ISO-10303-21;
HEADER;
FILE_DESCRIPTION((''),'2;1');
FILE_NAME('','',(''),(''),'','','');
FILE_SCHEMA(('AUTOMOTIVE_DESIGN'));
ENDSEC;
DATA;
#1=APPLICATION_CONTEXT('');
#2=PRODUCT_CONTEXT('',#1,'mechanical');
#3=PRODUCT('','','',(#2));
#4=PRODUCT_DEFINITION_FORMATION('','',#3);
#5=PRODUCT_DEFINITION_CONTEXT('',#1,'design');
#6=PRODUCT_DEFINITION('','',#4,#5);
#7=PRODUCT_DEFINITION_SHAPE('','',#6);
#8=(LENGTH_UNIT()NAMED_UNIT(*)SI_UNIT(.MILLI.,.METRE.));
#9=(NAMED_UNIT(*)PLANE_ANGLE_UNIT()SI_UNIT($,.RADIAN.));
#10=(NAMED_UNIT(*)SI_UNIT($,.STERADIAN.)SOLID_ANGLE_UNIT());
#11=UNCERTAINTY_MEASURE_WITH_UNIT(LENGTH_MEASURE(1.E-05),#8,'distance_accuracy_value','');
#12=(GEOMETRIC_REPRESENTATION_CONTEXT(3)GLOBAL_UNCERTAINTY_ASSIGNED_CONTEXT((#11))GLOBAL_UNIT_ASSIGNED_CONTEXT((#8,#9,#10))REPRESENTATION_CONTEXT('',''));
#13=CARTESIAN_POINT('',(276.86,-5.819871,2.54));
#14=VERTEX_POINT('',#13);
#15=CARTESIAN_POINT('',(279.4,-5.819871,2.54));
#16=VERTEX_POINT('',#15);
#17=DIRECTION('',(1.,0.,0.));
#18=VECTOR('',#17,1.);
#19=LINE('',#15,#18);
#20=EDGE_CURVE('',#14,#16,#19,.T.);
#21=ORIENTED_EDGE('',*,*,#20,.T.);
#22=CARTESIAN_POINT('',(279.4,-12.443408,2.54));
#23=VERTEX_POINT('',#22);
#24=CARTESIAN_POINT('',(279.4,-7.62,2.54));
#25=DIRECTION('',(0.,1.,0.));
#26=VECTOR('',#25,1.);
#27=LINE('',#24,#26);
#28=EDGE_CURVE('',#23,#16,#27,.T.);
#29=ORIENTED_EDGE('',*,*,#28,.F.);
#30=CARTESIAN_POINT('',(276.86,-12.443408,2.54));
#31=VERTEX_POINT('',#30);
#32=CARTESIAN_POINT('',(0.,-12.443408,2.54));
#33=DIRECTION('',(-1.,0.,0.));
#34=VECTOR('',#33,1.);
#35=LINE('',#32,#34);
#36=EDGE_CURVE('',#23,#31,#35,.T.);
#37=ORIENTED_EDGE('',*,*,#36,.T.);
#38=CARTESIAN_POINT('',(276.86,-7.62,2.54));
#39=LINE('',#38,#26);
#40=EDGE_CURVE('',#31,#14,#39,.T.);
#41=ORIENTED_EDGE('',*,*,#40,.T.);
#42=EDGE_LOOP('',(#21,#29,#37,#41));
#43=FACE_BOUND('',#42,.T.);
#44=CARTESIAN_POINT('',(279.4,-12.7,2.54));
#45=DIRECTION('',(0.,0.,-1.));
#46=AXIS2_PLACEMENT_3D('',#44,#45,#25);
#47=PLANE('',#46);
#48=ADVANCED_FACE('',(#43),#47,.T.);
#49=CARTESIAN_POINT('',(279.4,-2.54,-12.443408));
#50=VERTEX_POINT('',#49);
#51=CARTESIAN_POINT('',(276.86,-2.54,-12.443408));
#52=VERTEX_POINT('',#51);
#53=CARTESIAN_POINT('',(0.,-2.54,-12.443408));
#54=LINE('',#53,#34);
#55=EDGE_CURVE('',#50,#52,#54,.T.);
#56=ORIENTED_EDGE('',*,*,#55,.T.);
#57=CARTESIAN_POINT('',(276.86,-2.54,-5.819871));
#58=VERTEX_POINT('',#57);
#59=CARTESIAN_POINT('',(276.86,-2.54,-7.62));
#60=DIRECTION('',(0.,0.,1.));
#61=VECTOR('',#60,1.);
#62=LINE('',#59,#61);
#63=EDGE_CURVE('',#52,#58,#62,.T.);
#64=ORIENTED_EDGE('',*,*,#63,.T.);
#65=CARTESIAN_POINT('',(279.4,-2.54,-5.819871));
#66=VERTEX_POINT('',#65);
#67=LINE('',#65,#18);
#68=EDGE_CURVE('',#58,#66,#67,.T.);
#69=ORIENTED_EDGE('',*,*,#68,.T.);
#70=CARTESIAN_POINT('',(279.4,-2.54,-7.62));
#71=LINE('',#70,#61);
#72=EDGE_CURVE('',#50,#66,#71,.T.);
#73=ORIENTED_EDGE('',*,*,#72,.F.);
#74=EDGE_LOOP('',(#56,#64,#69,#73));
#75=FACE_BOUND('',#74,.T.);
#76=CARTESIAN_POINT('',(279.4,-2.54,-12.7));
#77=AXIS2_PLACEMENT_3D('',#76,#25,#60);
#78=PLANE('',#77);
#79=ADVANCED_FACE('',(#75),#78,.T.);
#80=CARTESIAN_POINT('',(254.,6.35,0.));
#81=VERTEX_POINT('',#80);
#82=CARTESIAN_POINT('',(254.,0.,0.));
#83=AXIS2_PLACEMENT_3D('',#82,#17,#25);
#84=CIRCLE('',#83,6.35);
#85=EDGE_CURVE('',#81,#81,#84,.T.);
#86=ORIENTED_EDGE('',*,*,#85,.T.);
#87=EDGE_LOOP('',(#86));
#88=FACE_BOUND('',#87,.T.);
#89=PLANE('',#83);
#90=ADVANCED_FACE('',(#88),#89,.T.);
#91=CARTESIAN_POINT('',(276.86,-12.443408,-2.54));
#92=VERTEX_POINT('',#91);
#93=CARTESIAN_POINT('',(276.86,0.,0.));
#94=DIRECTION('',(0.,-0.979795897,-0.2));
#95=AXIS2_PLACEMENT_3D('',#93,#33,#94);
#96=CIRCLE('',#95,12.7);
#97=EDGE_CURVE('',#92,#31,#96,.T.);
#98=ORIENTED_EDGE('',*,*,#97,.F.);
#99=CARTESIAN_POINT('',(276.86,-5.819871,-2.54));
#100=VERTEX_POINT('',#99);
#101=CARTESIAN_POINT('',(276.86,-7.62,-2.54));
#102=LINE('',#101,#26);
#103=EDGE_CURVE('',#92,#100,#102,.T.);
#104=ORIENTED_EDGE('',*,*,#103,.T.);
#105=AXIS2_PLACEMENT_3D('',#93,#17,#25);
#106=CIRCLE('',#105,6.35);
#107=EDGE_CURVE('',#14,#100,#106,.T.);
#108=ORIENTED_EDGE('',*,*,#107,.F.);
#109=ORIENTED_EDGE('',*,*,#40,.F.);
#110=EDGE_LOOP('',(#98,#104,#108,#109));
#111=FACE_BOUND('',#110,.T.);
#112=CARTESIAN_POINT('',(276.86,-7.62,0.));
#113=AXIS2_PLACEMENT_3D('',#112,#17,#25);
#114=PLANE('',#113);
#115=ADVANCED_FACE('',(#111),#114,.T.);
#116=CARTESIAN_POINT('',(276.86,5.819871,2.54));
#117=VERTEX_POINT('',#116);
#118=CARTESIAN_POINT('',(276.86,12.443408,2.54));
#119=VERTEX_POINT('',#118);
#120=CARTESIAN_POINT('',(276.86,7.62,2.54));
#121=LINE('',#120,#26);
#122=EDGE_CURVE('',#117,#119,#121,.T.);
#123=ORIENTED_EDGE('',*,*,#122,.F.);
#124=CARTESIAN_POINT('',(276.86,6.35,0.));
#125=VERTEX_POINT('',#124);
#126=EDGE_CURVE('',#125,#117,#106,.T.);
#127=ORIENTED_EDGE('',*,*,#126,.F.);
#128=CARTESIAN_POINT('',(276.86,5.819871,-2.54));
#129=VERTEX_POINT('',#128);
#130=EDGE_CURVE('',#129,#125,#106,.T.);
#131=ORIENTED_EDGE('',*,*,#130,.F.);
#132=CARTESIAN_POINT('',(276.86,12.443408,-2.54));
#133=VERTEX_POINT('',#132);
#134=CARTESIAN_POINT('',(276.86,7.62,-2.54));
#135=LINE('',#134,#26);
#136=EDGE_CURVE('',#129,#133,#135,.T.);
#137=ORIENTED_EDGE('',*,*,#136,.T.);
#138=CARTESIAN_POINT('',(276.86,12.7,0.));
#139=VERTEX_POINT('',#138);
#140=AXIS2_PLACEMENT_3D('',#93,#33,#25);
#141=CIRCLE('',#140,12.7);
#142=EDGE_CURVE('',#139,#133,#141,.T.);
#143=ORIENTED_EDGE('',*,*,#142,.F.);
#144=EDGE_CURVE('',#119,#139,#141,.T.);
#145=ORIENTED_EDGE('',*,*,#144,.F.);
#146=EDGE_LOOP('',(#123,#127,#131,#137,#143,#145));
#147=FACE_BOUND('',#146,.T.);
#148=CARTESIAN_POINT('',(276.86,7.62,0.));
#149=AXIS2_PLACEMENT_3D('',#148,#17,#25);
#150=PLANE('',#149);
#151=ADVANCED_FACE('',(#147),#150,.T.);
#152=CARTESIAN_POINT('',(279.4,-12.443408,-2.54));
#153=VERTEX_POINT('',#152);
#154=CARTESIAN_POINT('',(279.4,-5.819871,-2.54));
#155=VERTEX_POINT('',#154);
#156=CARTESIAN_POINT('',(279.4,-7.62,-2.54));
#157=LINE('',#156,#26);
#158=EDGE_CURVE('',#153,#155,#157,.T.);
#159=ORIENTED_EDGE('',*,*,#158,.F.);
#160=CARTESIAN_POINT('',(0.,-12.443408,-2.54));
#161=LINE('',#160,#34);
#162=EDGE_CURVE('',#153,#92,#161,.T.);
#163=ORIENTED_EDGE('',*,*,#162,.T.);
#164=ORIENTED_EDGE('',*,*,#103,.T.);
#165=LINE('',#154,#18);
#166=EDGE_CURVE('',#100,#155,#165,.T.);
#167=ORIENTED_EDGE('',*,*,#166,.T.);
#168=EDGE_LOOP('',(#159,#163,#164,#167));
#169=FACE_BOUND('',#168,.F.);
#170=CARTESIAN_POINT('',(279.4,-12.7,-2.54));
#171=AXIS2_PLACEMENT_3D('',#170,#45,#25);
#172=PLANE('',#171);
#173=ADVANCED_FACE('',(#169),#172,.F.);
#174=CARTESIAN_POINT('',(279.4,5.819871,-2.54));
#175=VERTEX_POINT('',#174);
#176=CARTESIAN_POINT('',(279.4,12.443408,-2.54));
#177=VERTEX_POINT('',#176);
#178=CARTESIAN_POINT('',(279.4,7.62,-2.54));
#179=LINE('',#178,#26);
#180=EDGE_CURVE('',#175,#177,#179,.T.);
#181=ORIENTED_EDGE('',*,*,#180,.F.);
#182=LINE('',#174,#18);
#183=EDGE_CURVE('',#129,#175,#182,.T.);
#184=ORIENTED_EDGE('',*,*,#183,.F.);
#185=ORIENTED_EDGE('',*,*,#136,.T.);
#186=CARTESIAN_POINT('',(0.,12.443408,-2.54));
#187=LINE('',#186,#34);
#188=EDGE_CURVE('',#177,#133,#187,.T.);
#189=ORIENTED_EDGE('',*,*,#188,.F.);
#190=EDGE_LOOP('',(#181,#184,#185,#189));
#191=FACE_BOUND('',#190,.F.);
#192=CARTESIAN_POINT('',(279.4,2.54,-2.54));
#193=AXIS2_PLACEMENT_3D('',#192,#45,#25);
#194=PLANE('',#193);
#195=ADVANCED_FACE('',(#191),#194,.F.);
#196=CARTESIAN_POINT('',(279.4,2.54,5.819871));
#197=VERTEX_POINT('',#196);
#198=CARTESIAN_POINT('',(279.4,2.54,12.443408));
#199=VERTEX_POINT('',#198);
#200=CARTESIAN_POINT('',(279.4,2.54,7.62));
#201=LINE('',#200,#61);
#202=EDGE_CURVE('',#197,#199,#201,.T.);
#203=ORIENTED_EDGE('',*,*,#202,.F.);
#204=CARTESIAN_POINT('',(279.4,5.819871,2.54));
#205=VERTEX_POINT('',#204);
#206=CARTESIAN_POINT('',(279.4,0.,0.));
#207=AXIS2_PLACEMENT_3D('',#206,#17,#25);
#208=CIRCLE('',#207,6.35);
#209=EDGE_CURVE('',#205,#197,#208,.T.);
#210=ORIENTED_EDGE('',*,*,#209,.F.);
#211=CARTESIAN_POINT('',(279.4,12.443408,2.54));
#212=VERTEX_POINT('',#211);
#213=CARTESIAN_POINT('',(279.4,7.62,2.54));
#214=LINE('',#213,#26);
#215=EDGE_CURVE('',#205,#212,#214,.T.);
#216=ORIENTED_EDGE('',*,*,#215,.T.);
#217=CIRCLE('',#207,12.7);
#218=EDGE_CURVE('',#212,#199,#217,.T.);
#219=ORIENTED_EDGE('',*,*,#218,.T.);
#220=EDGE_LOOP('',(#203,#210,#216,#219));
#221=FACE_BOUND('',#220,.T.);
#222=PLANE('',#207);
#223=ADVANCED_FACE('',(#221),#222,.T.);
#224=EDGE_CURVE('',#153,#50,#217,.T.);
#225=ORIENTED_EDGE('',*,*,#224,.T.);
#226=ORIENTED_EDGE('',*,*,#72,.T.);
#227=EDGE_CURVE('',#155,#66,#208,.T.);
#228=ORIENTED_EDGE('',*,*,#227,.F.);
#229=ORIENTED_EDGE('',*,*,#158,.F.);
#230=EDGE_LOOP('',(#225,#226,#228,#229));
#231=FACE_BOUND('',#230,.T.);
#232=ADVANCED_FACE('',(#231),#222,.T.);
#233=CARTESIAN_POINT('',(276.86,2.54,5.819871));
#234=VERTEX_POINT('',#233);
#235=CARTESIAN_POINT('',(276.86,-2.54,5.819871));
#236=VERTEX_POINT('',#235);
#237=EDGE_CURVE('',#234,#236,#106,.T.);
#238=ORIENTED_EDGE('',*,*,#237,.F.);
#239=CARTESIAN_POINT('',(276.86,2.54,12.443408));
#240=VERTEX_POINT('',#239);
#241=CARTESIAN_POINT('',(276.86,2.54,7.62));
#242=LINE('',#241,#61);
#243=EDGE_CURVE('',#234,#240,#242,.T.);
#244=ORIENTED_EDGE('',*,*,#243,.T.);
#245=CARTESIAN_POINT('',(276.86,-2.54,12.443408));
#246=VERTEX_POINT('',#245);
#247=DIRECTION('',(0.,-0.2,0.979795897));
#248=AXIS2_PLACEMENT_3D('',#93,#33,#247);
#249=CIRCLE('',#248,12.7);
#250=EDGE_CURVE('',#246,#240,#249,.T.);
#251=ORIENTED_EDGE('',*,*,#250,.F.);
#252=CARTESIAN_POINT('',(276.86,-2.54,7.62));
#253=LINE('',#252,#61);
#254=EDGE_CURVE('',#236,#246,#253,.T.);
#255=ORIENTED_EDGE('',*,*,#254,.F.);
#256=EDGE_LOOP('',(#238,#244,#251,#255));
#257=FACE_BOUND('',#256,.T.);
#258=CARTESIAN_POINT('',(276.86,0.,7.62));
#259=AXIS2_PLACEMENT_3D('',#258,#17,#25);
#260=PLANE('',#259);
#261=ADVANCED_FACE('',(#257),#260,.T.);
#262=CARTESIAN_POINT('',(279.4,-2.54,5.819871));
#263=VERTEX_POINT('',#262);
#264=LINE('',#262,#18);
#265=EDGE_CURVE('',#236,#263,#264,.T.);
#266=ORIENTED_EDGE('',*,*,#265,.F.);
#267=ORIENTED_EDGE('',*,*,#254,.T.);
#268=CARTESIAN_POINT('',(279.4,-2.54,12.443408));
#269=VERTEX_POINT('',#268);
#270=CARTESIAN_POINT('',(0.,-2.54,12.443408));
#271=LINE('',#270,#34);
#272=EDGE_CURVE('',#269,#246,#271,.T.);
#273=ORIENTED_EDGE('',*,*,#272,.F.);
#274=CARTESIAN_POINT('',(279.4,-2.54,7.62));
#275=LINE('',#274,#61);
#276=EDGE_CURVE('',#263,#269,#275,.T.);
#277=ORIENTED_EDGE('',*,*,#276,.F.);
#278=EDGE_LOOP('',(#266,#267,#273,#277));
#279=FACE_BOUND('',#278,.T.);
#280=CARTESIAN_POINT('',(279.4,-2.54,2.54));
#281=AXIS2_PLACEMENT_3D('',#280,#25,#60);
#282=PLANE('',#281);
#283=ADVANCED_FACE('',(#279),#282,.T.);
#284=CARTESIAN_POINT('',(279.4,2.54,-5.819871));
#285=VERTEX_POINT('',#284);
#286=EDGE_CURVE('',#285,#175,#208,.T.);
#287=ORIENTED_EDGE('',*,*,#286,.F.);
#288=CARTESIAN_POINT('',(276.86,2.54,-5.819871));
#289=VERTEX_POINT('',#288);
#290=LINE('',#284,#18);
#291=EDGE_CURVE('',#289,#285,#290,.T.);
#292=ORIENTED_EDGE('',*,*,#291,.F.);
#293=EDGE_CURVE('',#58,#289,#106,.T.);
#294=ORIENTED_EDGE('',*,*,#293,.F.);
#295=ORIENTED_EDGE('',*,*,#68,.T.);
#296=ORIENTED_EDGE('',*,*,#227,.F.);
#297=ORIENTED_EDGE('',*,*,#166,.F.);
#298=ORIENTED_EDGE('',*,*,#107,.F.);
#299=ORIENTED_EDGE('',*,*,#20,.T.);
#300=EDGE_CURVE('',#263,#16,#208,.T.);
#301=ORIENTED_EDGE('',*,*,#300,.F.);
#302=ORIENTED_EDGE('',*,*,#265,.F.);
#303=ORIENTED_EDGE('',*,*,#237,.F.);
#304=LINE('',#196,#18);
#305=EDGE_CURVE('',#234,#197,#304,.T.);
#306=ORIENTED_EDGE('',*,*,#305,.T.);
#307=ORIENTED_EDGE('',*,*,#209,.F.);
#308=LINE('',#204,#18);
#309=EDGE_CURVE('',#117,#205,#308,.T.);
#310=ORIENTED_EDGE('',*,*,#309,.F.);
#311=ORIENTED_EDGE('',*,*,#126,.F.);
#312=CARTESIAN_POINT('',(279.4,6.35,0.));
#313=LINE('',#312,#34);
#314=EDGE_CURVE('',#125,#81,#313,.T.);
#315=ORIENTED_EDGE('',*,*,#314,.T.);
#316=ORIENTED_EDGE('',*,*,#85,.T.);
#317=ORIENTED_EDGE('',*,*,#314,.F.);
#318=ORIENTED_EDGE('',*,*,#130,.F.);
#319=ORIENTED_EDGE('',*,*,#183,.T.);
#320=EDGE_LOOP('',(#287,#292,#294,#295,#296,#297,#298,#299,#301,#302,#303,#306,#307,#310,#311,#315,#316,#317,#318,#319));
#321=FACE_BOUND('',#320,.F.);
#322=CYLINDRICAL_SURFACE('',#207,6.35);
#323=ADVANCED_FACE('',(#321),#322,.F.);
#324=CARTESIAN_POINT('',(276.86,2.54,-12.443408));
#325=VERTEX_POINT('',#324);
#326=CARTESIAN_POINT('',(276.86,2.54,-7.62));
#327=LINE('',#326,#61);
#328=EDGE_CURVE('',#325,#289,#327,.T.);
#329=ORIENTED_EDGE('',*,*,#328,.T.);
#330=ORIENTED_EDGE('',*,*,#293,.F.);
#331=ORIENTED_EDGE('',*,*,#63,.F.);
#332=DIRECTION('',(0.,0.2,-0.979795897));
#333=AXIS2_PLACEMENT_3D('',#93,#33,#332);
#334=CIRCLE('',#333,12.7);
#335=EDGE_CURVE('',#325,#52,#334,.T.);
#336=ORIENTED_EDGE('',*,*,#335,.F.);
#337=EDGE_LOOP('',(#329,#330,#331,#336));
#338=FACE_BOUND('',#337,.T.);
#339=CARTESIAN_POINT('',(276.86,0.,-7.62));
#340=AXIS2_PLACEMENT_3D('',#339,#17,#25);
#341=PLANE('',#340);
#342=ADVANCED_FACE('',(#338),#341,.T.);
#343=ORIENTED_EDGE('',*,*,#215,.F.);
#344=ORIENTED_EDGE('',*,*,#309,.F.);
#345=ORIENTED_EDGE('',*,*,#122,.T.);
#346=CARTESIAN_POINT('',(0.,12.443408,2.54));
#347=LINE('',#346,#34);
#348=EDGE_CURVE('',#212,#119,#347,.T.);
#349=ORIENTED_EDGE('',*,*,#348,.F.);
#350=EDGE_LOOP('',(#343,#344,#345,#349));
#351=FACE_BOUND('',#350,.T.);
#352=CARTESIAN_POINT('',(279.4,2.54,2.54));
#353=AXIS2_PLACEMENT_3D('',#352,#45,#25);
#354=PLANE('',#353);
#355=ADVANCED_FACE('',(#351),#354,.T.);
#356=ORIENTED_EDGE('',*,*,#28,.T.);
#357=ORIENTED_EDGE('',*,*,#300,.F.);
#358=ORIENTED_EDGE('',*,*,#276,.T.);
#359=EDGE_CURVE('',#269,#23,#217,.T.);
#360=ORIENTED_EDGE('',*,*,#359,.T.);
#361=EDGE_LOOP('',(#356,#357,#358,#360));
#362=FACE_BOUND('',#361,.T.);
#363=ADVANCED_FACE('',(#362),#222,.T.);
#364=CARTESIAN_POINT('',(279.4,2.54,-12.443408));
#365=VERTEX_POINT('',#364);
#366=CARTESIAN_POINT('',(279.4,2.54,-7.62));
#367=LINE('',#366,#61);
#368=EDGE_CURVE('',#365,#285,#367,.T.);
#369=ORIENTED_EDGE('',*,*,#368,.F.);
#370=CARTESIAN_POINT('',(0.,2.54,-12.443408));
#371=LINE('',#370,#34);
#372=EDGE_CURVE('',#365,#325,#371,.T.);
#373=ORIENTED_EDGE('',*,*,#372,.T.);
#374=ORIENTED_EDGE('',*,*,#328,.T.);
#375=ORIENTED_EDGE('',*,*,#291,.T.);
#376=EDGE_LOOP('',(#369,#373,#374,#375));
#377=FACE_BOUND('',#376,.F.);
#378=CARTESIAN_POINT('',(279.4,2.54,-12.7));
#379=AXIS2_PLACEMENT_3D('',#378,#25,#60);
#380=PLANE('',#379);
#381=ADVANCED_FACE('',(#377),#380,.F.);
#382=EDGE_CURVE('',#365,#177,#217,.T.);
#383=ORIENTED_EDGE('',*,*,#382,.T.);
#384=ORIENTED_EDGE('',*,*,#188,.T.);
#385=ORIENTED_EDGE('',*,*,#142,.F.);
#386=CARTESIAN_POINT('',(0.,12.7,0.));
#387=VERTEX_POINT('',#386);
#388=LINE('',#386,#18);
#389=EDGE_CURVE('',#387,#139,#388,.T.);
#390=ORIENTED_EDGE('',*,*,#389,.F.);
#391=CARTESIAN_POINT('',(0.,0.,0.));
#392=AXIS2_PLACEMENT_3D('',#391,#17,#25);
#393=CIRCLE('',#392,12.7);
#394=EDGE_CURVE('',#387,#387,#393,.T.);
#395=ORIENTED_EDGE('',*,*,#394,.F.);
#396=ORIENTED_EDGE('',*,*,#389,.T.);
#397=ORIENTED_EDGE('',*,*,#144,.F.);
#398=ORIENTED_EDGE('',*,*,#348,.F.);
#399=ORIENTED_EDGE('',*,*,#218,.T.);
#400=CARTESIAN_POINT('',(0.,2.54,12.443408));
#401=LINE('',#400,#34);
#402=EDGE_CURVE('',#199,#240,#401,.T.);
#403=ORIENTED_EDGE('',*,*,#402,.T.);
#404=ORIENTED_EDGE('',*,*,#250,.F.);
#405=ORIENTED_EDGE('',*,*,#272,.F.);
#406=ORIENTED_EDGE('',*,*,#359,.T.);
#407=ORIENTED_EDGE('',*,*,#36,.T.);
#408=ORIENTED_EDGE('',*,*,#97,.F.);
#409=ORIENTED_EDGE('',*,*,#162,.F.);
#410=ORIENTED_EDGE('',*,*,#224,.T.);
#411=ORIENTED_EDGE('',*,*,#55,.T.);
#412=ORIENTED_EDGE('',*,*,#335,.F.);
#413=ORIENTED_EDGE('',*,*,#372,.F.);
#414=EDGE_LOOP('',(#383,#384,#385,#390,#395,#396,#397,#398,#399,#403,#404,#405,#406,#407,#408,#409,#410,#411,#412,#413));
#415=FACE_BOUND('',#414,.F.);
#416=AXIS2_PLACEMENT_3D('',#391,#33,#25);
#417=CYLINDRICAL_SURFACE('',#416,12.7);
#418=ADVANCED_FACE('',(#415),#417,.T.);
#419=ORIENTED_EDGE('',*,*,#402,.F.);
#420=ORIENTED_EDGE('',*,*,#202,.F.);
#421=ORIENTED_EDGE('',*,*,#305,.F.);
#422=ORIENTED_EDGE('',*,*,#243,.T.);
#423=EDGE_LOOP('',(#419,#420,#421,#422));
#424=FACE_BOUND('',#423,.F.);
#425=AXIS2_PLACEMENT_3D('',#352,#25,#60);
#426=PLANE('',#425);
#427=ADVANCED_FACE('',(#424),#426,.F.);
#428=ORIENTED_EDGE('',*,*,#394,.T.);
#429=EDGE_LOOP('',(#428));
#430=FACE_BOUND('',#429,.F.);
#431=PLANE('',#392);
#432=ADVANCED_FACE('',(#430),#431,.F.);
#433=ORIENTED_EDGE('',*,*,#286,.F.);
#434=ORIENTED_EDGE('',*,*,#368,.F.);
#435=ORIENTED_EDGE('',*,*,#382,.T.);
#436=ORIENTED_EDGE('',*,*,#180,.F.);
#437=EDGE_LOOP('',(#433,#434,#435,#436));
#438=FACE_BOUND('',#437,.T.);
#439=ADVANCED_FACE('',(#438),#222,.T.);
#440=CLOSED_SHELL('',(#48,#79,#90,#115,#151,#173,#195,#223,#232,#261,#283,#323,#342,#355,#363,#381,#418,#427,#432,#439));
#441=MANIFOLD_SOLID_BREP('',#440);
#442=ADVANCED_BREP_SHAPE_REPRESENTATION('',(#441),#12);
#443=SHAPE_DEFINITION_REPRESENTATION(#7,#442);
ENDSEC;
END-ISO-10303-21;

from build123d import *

# Parameters (mm, degrees)
F0_R     = 12.7
F1_DEPTH = 279.4
F2_R     = 6.35
F3_DEPTH = 25.4
F4_W     = 10.16
F4_H     = 5.08
F4_W_2   = 5.08
F4_H_2   = 10.16
F5_DEPTH = 2.54


with BuildPart() as f1:
    # F0 (on Right) → F1 (new body)
    with BuildSketch(Plane.YZ):
        Circle(F0_R)
    extrude(amount=F1_DEPTH)

    # F2 (on face) → F3 (cut)
    with BuildSketch(Plane.YZ.offset(279.4)):
        Circle(F2_R)
    extrude(amount=-F3_DEPTH, mode=Mode.SUBTRACT)

    # F4 (on face) → F5 (cut)
    with BuildSketch(Plane.YZ.offset(279.4)):
        with Locations((-7.62, 0)):
            Rectangle(F4_W, F4_H)
        with Locations((0, 7.62)):
            Rectangle(F4_W_2, F4_H_2)
        with Locations((7.62, 0)):
            Rectangle(F4_W, F4_H)
        with Locations((0, -7.62)):
            Rectangle(F4_W_2, F4_H_2)
    extrude(amount=-F5_DEPTH, mode=Mode.SUBTRACT)


solid = f1.part
